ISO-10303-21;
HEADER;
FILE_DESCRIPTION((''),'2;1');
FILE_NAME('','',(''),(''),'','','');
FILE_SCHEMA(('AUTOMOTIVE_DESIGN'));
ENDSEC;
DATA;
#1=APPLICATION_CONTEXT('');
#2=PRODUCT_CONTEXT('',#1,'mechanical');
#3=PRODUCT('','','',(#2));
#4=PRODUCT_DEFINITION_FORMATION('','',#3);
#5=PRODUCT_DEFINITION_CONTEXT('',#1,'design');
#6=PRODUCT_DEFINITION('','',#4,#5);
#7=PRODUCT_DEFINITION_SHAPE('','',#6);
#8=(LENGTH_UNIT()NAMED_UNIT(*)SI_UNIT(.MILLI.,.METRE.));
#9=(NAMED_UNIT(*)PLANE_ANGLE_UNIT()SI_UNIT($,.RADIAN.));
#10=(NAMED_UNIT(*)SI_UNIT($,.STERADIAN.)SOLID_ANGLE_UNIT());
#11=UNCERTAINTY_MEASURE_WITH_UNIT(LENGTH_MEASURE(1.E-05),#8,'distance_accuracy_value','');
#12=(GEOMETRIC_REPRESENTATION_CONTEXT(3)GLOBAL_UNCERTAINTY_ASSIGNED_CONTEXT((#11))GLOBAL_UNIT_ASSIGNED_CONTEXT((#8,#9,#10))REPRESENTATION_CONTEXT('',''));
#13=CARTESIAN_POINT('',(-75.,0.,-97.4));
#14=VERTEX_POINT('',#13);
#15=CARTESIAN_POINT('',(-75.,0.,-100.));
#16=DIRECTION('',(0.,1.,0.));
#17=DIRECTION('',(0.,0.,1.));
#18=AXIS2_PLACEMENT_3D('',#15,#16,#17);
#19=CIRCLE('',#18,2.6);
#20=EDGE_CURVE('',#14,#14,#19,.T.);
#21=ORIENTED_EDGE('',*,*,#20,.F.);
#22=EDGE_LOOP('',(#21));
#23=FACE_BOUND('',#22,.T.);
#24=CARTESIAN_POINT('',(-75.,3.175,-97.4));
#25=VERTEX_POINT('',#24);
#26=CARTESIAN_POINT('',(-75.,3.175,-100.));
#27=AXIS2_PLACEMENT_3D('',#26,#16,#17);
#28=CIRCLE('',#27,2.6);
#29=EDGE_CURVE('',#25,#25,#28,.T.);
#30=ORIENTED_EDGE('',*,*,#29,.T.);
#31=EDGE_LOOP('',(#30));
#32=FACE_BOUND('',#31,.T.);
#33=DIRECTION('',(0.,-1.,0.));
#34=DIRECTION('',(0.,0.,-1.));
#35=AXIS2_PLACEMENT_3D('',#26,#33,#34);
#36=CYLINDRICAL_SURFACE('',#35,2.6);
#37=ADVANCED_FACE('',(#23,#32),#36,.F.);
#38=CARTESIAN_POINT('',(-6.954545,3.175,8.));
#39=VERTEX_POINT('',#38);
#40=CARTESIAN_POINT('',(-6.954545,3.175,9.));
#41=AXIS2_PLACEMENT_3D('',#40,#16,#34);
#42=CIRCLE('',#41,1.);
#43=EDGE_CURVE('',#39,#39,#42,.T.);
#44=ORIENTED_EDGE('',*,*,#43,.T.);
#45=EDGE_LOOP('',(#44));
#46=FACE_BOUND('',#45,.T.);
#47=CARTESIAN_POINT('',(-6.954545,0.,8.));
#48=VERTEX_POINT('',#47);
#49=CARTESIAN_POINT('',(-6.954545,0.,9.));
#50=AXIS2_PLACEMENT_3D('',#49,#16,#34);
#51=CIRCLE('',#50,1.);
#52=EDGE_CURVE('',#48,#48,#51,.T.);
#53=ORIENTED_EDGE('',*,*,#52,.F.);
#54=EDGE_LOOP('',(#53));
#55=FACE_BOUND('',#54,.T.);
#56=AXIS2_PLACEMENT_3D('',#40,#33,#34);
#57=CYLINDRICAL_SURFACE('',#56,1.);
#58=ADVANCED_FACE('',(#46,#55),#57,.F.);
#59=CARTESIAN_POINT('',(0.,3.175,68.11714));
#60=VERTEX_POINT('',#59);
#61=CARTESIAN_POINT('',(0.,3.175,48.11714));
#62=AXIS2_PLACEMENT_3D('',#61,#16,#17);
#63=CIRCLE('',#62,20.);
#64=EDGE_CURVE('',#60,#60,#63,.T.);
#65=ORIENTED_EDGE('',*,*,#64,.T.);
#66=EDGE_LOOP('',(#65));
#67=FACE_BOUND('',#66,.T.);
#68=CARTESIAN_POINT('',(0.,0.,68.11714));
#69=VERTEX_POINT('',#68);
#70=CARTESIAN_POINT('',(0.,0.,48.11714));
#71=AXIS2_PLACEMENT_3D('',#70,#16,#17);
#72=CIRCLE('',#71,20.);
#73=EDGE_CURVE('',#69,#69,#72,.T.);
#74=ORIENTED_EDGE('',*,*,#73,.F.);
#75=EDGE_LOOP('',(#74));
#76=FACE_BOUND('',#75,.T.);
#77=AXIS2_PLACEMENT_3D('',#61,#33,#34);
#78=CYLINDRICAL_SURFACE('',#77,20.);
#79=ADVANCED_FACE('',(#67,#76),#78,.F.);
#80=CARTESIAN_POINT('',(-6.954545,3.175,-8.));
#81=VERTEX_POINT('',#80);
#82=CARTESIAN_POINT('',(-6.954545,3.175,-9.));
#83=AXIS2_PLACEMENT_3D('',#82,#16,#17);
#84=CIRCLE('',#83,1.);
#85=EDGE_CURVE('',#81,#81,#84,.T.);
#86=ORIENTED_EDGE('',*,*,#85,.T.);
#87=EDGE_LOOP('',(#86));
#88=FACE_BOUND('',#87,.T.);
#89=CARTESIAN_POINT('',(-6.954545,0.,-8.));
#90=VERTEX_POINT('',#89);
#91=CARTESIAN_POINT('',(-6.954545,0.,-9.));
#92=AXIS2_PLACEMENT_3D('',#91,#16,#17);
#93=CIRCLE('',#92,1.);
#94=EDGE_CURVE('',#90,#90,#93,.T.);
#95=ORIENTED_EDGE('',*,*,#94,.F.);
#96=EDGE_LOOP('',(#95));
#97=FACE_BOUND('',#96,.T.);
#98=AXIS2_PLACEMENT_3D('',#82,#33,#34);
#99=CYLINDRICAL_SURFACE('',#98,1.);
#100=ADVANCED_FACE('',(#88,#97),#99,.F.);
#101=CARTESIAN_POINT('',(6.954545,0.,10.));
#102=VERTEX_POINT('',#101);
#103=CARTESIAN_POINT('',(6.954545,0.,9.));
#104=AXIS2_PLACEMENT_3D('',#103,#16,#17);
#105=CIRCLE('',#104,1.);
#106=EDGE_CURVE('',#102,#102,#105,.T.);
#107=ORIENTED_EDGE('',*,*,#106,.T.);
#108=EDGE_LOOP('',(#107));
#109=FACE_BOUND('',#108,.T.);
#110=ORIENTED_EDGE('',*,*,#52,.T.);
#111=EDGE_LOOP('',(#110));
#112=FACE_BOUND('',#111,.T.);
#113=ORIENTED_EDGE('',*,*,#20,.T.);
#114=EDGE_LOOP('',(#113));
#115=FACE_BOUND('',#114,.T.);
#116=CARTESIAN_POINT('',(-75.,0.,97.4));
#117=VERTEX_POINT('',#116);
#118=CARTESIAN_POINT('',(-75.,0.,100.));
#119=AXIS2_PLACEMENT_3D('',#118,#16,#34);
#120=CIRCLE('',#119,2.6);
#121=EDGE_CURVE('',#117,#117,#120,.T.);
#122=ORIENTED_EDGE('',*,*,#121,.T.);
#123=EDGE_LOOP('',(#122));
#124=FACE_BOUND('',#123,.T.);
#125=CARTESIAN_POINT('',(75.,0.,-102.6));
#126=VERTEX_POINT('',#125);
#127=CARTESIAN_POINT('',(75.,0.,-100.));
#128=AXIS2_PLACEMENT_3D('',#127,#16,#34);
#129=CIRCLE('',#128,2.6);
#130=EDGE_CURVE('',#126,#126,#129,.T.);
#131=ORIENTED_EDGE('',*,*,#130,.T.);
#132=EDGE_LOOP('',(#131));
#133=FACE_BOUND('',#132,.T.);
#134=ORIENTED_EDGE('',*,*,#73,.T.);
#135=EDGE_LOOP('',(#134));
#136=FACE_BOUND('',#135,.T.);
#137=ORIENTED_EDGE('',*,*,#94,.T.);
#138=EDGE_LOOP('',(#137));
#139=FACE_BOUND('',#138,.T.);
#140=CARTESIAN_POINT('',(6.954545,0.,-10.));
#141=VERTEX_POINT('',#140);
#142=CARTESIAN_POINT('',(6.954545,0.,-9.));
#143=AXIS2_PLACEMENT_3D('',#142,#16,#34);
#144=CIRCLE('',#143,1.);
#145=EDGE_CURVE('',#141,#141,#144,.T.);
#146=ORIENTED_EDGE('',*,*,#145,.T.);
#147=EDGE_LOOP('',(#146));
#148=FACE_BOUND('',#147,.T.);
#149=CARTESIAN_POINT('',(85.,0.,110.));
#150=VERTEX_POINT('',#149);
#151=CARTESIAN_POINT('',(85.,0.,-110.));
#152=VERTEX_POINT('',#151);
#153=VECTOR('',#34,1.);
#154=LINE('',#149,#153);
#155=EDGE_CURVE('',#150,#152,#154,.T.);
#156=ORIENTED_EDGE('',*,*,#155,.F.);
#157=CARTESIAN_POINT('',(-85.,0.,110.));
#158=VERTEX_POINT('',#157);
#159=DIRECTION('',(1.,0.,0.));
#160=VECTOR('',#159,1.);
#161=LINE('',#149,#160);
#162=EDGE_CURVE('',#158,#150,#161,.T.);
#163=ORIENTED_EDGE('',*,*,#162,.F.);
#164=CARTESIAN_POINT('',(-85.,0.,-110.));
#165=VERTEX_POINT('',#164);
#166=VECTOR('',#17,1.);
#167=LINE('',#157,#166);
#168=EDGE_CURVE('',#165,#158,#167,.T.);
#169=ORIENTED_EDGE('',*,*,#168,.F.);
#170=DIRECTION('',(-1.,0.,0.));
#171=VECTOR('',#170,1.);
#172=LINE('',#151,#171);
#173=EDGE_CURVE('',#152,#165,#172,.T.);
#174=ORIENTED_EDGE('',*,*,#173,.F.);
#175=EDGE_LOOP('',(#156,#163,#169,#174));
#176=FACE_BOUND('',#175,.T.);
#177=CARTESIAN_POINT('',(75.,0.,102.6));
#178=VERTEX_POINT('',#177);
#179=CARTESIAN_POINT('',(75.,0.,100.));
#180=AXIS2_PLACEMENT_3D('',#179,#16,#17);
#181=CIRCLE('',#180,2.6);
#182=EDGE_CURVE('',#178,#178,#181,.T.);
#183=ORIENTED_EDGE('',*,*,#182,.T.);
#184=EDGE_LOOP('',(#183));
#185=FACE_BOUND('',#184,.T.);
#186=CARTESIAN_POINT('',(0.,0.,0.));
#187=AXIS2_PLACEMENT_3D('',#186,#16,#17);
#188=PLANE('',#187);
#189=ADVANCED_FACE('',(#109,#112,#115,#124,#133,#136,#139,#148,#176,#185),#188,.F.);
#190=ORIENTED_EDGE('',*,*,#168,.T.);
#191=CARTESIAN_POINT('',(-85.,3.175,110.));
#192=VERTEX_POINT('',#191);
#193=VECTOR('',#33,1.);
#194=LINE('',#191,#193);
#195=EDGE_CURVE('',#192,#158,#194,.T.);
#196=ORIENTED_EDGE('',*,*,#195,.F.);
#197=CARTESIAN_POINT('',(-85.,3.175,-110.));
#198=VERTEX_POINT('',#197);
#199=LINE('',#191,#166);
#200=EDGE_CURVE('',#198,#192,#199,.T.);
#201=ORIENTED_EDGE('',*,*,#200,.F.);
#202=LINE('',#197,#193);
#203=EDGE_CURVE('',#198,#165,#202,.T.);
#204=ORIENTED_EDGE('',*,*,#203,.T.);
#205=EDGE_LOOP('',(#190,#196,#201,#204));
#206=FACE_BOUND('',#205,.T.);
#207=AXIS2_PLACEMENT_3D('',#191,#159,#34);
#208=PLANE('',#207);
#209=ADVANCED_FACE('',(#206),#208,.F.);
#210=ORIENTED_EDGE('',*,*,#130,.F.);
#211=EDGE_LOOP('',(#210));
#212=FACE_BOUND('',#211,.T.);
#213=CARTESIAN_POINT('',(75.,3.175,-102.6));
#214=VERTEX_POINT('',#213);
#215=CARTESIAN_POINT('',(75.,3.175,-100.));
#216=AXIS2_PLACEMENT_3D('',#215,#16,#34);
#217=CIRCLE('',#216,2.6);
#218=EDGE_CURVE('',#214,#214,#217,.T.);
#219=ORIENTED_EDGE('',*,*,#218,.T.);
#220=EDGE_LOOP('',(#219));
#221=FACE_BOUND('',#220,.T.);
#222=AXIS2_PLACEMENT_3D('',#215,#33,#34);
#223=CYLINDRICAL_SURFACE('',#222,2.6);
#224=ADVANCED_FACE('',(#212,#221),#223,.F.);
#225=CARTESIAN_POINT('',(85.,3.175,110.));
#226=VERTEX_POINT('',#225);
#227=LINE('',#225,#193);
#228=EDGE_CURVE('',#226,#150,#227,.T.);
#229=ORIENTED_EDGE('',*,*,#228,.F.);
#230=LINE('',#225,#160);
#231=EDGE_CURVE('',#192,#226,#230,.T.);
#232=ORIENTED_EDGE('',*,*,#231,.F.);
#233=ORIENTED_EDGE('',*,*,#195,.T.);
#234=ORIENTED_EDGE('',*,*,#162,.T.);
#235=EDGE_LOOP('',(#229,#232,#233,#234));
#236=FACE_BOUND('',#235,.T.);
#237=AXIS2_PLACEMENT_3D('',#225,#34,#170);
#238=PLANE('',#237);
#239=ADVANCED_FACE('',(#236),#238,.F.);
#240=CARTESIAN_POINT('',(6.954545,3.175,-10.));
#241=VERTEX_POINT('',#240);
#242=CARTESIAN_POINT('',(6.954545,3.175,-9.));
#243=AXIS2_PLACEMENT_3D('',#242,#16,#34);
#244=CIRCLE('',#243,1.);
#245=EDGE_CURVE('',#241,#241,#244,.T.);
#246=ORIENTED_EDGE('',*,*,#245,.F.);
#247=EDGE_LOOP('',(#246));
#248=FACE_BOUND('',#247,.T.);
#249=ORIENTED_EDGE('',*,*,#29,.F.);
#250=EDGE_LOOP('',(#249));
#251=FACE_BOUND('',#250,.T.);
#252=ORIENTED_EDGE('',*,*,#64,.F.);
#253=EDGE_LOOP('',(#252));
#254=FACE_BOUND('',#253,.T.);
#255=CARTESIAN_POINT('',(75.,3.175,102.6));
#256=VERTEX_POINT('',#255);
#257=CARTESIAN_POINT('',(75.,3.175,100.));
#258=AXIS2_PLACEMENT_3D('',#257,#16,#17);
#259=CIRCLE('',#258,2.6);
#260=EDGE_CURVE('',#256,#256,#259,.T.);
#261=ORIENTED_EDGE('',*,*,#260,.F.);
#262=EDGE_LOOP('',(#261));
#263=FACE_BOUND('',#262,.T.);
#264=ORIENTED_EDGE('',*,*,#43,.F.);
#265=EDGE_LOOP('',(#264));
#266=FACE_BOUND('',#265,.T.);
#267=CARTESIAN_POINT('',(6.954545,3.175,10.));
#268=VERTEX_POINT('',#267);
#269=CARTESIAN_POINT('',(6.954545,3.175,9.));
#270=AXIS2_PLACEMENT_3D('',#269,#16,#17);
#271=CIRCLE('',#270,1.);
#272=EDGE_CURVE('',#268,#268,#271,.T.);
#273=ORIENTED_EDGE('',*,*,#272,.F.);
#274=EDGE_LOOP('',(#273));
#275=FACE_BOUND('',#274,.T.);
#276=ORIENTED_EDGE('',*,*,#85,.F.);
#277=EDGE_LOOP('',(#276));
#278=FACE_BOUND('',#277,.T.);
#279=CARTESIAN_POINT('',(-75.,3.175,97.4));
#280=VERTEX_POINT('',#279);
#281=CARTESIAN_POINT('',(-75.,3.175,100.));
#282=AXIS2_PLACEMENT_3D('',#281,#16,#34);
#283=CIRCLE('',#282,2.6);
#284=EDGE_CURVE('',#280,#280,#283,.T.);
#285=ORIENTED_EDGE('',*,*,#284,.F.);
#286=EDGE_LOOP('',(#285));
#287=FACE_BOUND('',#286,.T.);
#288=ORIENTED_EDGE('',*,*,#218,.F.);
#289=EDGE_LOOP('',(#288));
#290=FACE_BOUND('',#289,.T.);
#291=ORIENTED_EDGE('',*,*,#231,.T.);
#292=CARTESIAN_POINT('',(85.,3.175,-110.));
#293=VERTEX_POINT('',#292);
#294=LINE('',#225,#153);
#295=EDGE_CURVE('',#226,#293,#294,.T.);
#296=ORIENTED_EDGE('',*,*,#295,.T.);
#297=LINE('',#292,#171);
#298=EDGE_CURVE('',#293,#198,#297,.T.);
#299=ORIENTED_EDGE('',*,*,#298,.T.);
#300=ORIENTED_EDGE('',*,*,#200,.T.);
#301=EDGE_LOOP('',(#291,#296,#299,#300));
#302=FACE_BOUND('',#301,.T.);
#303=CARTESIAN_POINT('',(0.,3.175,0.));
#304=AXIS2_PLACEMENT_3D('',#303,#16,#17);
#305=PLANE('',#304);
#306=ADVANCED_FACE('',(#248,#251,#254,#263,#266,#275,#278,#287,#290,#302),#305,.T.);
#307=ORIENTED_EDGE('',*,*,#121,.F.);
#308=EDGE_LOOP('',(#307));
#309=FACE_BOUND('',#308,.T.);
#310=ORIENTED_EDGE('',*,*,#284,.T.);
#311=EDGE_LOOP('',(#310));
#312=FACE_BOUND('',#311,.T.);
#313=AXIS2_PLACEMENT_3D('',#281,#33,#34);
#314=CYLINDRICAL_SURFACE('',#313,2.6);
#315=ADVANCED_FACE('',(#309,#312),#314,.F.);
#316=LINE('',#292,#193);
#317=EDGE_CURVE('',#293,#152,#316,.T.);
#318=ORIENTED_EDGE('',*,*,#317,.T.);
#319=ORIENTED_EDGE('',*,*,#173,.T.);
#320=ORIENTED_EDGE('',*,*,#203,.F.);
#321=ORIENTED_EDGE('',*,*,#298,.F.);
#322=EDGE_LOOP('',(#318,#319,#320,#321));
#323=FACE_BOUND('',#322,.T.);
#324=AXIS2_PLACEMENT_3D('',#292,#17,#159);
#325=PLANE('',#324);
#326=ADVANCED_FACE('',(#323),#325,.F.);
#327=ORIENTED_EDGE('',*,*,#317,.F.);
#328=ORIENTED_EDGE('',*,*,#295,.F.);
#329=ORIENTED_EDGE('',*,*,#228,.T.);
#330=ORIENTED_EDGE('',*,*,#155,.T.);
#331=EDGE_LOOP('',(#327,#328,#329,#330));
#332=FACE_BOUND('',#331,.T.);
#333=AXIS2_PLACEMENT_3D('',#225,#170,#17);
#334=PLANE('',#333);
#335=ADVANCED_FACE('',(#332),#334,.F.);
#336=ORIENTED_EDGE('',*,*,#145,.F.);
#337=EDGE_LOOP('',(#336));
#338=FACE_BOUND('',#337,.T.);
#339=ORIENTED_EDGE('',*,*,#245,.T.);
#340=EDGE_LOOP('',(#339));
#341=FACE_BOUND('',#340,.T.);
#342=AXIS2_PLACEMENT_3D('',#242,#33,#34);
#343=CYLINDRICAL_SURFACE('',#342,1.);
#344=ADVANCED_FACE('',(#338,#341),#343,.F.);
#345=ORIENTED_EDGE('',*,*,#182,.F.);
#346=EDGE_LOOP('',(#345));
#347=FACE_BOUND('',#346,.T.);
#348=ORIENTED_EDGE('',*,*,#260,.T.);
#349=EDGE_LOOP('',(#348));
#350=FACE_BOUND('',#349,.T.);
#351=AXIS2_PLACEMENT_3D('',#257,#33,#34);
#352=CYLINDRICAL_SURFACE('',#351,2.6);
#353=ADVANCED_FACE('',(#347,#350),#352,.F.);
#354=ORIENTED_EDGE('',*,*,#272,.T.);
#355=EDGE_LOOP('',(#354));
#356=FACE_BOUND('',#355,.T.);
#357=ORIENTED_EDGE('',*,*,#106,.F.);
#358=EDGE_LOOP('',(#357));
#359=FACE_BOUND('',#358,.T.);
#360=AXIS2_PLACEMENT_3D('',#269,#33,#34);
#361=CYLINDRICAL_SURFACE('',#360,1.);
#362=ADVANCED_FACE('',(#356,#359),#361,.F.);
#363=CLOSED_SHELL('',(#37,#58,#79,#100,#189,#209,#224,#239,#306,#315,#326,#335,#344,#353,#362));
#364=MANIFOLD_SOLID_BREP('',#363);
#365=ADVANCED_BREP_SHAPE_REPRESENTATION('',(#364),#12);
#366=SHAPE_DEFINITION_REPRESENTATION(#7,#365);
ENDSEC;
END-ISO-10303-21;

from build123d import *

# Parameters (mm, degrees)
SKETCH2_W           = 170
SKETCH2_H           = 220
SKETCH2_R           = 2.6
SKETCH2_R_2         = 1
SKETCH2_R_3         = 20
BOSS_EXTRUDE1_DEPTH = 3.175


with BuildPart() as part:
    # Sketch2 → Boss-Extrude1 (new body)
    with BuildSketch(Plane(origin=(0, 0, 0), x_dir=(1, 0, 0), z_dir=(0, 1, 0))):
        Rectangle(SKETCH2_W, SKETCH2_H)
        with Locations((-75, 100)):
            Circle(SKETCH2_R, mode=Mode.SUBTRACT)
        with Locations((75, 100)):
            Circle(SKETCH2_R, mode=Mode.SUBTRACT)
        with Locations((75, -100)):
            Circle(SKETCH2_R, mode=Mode.SUBTRACT)
        with Locations((-75, -100)):
            Circle(SKETCH2_R, mode=Mode.SUBTRACT)
        with Locations((-6.954545455, 9)):
            Circle(SKETCH2_R_2, mode=Mode.SUBTRACT)
        with Locations((6.954545455, 9)):
            Circle(SKETCH2_R_2, mode=Mode.SUBTRACT)
        with Locations((6.954545455, -9)):
            Circle(SKETCH2_R_2, mode=Mode.SUBTRACT)
        with Locations((-6.954545455, -9)):
            Circle(SKETCH2_R_2, mode=Mode.SUBTRACT)
        with Locations((0, -48.117139718)):
            Circle(SKETCH2_R_3, mode=Mode.SUBTRACT)
    extrude(amount=BOSS_EXTRUDE1_DEPTH)


solid = part.part
